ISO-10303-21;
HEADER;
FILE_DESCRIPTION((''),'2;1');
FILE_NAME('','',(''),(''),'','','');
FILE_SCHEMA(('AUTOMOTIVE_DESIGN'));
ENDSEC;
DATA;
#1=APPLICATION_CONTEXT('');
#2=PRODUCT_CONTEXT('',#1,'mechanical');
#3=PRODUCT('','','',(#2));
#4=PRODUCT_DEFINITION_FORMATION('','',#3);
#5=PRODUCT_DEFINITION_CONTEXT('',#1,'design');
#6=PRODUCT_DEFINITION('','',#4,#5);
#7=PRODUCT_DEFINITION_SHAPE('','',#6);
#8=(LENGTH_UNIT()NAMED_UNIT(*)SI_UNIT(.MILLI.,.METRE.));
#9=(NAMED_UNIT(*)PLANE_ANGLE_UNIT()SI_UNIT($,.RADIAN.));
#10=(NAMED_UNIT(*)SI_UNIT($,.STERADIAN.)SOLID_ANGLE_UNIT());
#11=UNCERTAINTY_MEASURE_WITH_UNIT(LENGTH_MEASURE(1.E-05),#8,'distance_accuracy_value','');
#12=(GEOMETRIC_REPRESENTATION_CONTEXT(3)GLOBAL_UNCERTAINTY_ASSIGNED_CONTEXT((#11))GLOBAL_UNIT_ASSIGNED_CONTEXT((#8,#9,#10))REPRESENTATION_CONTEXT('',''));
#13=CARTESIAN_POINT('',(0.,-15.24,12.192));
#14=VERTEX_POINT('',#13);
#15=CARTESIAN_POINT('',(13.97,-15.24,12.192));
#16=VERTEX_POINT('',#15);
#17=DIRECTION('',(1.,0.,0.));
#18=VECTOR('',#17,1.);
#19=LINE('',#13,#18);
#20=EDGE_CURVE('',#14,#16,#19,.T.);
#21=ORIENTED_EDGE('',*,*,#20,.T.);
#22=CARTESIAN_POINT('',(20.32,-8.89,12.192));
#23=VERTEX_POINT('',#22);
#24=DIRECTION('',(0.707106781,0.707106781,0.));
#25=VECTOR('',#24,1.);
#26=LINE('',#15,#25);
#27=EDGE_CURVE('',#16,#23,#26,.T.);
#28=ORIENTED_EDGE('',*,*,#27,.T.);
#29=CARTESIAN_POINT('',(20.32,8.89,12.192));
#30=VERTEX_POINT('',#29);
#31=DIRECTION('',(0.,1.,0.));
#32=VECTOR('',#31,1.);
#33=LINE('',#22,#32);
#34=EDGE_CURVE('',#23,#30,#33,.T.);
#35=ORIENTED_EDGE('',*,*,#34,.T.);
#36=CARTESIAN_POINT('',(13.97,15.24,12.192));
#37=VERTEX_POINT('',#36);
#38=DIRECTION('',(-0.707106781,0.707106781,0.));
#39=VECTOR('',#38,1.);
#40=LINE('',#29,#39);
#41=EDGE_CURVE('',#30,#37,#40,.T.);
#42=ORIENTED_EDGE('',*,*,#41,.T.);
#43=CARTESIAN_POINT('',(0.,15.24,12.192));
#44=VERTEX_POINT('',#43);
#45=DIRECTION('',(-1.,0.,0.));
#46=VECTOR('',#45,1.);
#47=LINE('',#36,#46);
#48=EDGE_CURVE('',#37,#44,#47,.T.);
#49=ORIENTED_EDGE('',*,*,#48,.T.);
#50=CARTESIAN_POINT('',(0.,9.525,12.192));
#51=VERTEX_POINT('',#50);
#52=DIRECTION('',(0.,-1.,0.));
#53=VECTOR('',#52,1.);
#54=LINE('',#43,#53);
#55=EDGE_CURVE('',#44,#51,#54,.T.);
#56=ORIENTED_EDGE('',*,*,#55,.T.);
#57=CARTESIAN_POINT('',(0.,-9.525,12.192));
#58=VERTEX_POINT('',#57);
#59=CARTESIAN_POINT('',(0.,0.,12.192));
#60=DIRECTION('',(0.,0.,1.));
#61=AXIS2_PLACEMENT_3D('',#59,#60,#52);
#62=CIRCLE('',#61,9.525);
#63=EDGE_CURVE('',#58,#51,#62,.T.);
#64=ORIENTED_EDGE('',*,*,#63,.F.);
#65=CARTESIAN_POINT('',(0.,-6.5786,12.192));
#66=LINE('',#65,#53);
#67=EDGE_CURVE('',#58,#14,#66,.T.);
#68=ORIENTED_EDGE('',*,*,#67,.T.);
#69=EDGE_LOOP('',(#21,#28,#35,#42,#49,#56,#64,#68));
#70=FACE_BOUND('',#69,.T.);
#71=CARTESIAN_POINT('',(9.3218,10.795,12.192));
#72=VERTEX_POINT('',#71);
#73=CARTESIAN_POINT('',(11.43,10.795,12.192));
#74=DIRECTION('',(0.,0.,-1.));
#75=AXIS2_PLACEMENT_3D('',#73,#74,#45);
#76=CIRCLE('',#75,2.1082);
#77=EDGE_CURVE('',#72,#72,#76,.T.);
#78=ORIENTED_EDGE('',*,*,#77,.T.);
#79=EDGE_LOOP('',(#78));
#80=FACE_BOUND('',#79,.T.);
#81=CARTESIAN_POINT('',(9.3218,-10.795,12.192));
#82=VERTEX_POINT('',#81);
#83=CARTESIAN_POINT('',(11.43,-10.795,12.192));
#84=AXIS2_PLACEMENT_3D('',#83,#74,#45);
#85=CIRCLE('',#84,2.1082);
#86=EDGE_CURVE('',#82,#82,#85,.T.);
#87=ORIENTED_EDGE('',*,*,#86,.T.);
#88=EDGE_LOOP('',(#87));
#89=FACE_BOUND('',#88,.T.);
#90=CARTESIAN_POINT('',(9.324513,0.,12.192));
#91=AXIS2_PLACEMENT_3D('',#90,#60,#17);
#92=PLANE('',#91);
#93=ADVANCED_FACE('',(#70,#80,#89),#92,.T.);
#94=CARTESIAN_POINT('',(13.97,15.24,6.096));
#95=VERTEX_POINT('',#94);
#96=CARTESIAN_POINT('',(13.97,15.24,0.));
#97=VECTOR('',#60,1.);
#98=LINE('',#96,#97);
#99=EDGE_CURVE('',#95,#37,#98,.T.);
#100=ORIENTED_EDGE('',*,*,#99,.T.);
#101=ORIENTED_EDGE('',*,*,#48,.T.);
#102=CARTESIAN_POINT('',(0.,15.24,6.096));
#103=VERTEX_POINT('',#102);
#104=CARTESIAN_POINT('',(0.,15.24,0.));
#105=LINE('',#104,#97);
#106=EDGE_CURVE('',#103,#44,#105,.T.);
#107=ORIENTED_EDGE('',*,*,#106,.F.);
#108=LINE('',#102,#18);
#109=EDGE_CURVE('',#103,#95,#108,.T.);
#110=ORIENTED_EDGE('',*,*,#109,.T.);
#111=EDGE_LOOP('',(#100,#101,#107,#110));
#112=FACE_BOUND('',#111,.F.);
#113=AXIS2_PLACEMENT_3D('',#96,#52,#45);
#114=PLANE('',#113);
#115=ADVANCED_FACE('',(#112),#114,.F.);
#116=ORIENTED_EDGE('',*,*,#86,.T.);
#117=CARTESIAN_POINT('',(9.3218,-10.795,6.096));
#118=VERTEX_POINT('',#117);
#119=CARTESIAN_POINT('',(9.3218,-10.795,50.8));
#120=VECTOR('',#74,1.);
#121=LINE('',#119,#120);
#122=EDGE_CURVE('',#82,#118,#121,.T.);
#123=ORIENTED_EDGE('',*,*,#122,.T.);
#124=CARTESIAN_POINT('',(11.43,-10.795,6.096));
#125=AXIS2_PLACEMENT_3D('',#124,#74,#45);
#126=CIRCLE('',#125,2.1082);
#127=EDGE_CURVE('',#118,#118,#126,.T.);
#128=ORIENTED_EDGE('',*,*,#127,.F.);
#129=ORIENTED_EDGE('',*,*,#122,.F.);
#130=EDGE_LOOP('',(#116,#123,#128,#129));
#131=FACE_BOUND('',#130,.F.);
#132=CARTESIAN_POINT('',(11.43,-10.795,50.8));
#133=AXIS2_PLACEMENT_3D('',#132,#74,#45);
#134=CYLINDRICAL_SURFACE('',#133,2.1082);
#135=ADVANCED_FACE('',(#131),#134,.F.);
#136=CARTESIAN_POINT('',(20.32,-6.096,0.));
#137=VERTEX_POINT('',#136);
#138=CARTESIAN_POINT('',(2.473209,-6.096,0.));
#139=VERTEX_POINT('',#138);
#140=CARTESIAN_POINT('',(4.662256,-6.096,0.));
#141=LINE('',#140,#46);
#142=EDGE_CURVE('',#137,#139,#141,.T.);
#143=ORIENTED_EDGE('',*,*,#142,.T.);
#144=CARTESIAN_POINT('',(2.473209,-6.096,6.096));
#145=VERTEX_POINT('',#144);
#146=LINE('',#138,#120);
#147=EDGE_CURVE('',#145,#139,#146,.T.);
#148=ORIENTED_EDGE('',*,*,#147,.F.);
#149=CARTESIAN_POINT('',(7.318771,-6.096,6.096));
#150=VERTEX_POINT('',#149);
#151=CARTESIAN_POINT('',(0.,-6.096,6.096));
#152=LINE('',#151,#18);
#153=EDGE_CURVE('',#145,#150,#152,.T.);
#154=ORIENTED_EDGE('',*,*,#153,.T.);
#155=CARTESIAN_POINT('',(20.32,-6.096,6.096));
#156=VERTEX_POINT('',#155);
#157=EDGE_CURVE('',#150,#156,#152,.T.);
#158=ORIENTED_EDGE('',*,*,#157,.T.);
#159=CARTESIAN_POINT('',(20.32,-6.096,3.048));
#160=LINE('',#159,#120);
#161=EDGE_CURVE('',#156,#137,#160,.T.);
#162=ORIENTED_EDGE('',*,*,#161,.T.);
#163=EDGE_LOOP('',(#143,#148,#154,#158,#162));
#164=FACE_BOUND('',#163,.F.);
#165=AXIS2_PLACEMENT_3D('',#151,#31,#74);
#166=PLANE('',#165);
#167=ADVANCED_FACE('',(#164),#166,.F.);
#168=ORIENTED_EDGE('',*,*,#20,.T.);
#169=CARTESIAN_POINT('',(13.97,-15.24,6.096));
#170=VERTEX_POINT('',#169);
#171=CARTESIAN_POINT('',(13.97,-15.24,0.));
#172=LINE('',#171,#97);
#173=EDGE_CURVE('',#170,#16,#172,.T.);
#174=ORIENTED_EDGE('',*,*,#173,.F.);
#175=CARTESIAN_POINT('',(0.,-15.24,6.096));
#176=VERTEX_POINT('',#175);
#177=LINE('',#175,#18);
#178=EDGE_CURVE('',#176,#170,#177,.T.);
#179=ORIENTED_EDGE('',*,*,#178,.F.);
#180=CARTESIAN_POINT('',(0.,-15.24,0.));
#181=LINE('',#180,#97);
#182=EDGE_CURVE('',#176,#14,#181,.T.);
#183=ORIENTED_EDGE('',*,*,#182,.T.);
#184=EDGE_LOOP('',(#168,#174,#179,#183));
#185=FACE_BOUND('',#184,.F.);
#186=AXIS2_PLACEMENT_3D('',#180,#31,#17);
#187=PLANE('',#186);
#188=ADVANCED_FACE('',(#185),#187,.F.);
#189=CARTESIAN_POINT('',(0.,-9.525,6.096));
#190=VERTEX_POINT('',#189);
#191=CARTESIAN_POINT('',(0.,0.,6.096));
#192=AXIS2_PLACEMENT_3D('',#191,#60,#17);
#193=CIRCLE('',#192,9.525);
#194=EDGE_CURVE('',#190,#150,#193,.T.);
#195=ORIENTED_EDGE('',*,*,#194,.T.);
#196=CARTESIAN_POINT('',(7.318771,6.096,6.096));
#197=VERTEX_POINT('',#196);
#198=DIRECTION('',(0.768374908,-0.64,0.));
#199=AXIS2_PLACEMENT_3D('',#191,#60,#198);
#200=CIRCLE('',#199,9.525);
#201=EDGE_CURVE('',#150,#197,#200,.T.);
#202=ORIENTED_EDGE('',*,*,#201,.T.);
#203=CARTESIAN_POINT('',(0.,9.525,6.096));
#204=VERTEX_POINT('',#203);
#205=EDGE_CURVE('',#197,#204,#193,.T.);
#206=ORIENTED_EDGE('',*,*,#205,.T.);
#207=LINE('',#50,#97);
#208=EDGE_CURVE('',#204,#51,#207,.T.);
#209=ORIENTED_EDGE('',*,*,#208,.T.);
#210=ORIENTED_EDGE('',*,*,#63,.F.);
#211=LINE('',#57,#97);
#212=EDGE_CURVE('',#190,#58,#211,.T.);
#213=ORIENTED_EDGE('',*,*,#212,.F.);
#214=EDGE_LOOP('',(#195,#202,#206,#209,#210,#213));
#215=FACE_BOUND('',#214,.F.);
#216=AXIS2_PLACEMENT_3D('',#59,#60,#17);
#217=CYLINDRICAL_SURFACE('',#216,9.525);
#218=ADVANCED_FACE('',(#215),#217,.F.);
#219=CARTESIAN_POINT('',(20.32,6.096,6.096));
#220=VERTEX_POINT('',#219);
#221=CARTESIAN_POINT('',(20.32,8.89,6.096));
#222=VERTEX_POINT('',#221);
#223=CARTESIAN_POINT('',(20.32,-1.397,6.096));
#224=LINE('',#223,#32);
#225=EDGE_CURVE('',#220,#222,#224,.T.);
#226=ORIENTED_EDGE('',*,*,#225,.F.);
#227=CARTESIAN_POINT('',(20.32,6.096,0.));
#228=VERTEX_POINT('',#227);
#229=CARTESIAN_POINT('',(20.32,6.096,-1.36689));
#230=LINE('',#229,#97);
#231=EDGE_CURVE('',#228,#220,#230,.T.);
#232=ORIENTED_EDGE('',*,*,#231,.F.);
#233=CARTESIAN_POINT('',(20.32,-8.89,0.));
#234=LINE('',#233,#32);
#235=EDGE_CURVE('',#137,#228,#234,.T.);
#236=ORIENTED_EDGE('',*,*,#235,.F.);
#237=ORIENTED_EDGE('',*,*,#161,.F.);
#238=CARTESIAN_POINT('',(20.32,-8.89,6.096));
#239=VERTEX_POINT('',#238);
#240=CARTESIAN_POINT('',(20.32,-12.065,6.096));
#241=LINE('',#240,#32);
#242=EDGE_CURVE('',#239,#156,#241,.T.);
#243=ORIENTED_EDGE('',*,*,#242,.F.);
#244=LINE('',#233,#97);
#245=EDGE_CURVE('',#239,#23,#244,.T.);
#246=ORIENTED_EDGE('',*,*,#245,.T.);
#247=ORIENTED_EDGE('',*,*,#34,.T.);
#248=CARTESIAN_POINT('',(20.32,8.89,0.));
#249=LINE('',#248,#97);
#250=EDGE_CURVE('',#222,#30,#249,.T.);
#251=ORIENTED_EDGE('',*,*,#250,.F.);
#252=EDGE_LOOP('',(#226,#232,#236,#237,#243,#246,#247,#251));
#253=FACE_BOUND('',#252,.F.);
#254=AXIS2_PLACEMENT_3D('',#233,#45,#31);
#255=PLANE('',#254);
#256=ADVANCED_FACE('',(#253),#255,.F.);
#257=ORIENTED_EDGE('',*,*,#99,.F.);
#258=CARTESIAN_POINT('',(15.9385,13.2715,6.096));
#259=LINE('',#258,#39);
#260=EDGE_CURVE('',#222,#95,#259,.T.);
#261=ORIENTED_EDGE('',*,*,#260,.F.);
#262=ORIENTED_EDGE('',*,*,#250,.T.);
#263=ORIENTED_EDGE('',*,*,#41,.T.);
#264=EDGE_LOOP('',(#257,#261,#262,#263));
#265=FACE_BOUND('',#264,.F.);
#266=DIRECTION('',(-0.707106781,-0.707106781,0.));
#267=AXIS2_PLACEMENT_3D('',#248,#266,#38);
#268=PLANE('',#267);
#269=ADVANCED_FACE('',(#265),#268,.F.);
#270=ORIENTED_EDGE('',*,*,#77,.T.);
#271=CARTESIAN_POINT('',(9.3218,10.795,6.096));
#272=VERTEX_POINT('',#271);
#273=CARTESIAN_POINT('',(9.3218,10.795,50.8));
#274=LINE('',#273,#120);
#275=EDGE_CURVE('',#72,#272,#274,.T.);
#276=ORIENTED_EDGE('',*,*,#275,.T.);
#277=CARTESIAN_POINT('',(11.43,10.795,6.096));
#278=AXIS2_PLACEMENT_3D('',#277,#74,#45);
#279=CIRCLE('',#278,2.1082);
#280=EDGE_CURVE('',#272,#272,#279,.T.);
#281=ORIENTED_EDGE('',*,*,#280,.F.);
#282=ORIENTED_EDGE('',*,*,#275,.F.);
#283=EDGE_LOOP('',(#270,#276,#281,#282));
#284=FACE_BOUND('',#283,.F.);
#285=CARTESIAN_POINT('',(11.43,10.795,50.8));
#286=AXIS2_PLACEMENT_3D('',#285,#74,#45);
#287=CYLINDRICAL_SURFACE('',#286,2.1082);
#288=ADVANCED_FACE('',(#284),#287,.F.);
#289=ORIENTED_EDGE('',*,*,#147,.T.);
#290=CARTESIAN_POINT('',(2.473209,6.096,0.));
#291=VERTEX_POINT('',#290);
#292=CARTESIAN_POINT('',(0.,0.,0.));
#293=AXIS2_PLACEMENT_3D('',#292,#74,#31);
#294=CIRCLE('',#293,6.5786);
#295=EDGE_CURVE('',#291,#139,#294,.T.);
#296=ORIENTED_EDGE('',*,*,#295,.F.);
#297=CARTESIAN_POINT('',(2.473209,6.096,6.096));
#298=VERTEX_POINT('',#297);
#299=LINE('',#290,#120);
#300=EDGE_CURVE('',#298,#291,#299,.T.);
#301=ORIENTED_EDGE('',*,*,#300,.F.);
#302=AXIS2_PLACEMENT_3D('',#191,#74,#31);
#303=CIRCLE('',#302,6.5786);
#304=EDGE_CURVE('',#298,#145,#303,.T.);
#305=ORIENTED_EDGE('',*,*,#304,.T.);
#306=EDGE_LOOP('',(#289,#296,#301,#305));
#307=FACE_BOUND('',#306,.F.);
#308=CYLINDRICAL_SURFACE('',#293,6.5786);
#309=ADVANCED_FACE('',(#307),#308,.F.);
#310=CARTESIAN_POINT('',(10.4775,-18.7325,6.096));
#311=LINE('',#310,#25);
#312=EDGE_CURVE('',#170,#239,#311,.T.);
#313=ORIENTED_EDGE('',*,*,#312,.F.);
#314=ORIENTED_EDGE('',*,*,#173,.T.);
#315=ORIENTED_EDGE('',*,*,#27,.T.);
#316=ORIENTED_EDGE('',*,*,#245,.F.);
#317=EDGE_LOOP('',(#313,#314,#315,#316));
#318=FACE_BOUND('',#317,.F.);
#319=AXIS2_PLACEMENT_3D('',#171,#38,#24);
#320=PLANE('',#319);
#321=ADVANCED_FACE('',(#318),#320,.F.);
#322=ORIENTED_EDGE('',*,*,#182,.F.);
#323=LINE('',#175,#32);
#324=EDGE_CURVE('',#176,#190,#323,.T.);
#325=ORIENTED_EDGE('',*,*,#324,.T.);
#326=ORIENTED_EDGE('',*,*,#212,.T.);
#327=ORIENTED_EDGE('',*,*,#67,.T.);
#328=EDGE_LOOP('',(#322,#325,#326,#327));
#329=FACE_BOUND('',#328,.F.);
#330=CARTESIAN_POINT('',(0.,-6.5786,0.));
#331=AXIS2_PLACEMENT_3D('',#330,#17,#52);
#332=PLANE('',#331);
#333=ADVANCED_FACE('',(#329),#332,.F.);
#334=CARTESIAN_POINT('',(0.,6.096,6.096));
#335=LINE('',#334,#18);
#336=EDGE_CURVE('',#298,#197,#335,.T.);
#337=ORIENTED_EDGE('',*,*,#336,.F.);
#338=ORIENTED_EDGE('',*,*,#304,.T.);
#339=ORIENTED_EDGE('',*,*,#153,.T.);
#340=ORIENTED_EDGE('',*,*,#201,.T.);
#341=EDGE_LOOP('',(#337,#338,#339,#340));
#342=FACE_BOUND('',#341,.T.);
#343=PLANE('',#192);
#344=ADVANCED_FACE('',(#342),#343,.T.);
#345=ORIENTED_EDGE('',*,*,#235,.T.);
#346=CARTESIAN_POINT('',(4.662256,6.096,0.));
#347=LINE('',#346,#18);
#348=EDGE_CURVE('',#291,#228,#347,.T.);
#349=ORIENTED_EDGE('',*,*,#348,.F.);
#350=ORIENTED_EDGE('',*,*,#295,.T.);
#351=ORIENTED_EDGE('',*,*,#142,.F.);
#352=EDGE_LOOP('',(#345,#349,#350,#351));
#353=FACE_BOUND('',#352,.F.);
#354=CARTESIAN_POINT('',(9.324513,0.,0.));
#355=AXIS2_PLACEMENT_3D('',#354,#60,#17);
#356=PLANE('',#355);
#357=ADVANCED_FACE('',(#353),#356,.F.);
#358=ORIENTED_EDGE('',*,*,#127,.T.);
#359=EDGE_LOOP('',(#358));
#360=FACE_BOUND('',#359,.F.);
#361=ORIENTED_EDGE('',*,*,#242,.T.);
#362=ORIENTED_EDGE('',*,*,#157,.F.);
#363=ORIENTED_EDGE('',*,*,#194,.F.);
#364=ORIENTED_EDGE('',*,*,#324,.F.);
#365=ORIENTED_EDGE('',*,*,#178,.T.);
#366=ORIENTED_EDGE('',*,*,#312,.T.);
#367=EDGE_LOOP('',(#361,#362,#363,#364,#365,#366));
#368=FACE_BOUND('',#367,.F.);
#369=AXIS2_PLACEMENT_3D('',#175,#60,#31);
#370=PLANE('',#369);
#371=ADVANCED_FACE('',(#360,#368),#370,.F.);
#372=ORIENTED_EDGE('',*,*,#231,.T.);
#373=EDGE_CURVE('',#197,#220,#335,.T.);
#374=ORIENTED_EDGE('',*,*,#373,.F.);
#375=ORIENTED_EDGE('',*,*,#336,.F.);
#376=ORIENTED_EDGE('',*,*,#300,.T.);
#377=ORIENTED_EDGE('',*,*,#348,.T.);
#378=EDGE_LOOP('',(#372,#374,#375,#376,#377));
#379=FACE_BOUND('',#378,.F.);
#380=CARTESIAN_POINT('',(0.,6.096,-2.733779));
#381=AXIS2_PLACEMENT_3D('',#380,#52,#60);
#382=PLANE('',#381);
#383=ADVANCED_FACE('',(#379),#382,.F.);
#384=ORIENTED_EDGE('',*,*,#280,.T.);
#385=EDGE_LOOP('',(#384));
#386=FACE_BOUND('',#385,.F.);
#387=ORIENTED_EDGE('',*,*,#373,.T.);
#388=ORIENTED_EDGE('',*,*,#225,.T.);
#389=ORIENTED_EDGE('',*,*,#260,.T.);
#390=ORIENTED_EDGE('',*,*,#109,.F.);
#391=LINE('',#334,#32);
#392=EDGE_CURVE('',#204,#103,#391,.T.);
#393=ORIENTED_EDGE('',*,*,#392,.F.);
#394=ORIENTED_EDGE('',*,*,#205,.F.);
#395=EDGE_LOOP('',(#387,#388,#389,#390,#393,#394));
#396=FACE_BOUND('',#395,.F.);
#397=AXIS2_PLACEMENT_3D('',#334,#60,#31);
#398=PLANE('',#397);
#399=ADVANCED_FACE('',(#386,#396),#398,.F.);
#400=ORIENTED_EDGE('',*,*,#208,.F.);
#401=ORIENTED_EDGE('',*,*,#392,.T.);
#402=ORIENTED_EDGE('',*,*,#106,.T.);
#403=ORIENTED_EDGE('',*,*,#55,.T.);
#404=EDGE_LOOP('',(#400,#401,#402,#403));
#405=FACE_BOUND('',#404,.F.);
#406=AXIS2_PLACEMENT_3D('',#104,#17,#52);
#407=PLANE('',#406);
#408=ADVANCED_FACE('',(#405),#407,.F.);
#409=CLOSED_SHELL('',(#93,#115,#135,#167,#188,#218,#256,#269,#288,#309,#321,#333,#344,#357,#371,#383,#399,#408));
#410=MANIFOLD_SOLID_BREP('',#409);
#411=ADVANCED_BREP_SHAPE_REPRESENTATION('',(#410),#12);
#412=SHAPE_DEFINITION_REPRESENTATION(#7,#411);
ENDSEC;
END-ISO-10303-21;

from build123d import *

# Parameters (mm, degrees)
F1_DEPTH = 12.192
F3_DEPTH = 20.321
F4_R     = 9.525
F5_DEPTH = 6.096
F7_D     = 4.2164


with BuildPart() as f1:
    # F0 (on Top) → F1 (new body)
    with BuildSketch(Plane.XY):
        with BuildLine():
            ThreePointArc((0, 6.5786), (6.5786, 0), (0, -6.5786))
            Line((0, -6.5786), (0, -15.24))
            Line((0, -15.24), (13.97, -15.24))
            Line((13.97, -15.24), (20.32, -8.89))
            Line((20.32, -8.89), (20.32, 8.89))
            Line((20.32, 8.89), (13.97, 15.24))
            Line((13.97, 15.24), (0, 15.24))
            Line((0, 15.24), (0, 6.5786))
        make_face()
    extrude(amount=F1_DEPTH)

    # F2 (on face) → F3 (cut, through all)
    with BuildSketch(Plane(origin=(0, 0, 0), x_dir=(0, -1, 0), z_dir=(-1, 0, 0))):
        Polygon((-6.096, 6.096), (-15.24, 6.096), (-15.24, -9.260692), (15.24, -9.260692), (15.24, 6.096), (6.096, 6.096), (6.096, -2.733779), (-6.096, -2.733779), align=None)
    extrude(amount=-F3_DEPTH, mode=Mode.SUBTRACT)

    # F4 (on face) → F5 (cut, through all)
    with BuildSketch(Plane.XY.offset(12.192)):
        Circle(F4_R)
    extrude(amount=-F5_DEPTH, mode=Mode.SUBTRACT)

    # F7 (through all)
    with Locations(Plane.XY.offset(12.192)):
        with Locations((11.43, 10.795), (11.43, -10.795)):
            Hole(F7_D / 2)


solid = f1.part
